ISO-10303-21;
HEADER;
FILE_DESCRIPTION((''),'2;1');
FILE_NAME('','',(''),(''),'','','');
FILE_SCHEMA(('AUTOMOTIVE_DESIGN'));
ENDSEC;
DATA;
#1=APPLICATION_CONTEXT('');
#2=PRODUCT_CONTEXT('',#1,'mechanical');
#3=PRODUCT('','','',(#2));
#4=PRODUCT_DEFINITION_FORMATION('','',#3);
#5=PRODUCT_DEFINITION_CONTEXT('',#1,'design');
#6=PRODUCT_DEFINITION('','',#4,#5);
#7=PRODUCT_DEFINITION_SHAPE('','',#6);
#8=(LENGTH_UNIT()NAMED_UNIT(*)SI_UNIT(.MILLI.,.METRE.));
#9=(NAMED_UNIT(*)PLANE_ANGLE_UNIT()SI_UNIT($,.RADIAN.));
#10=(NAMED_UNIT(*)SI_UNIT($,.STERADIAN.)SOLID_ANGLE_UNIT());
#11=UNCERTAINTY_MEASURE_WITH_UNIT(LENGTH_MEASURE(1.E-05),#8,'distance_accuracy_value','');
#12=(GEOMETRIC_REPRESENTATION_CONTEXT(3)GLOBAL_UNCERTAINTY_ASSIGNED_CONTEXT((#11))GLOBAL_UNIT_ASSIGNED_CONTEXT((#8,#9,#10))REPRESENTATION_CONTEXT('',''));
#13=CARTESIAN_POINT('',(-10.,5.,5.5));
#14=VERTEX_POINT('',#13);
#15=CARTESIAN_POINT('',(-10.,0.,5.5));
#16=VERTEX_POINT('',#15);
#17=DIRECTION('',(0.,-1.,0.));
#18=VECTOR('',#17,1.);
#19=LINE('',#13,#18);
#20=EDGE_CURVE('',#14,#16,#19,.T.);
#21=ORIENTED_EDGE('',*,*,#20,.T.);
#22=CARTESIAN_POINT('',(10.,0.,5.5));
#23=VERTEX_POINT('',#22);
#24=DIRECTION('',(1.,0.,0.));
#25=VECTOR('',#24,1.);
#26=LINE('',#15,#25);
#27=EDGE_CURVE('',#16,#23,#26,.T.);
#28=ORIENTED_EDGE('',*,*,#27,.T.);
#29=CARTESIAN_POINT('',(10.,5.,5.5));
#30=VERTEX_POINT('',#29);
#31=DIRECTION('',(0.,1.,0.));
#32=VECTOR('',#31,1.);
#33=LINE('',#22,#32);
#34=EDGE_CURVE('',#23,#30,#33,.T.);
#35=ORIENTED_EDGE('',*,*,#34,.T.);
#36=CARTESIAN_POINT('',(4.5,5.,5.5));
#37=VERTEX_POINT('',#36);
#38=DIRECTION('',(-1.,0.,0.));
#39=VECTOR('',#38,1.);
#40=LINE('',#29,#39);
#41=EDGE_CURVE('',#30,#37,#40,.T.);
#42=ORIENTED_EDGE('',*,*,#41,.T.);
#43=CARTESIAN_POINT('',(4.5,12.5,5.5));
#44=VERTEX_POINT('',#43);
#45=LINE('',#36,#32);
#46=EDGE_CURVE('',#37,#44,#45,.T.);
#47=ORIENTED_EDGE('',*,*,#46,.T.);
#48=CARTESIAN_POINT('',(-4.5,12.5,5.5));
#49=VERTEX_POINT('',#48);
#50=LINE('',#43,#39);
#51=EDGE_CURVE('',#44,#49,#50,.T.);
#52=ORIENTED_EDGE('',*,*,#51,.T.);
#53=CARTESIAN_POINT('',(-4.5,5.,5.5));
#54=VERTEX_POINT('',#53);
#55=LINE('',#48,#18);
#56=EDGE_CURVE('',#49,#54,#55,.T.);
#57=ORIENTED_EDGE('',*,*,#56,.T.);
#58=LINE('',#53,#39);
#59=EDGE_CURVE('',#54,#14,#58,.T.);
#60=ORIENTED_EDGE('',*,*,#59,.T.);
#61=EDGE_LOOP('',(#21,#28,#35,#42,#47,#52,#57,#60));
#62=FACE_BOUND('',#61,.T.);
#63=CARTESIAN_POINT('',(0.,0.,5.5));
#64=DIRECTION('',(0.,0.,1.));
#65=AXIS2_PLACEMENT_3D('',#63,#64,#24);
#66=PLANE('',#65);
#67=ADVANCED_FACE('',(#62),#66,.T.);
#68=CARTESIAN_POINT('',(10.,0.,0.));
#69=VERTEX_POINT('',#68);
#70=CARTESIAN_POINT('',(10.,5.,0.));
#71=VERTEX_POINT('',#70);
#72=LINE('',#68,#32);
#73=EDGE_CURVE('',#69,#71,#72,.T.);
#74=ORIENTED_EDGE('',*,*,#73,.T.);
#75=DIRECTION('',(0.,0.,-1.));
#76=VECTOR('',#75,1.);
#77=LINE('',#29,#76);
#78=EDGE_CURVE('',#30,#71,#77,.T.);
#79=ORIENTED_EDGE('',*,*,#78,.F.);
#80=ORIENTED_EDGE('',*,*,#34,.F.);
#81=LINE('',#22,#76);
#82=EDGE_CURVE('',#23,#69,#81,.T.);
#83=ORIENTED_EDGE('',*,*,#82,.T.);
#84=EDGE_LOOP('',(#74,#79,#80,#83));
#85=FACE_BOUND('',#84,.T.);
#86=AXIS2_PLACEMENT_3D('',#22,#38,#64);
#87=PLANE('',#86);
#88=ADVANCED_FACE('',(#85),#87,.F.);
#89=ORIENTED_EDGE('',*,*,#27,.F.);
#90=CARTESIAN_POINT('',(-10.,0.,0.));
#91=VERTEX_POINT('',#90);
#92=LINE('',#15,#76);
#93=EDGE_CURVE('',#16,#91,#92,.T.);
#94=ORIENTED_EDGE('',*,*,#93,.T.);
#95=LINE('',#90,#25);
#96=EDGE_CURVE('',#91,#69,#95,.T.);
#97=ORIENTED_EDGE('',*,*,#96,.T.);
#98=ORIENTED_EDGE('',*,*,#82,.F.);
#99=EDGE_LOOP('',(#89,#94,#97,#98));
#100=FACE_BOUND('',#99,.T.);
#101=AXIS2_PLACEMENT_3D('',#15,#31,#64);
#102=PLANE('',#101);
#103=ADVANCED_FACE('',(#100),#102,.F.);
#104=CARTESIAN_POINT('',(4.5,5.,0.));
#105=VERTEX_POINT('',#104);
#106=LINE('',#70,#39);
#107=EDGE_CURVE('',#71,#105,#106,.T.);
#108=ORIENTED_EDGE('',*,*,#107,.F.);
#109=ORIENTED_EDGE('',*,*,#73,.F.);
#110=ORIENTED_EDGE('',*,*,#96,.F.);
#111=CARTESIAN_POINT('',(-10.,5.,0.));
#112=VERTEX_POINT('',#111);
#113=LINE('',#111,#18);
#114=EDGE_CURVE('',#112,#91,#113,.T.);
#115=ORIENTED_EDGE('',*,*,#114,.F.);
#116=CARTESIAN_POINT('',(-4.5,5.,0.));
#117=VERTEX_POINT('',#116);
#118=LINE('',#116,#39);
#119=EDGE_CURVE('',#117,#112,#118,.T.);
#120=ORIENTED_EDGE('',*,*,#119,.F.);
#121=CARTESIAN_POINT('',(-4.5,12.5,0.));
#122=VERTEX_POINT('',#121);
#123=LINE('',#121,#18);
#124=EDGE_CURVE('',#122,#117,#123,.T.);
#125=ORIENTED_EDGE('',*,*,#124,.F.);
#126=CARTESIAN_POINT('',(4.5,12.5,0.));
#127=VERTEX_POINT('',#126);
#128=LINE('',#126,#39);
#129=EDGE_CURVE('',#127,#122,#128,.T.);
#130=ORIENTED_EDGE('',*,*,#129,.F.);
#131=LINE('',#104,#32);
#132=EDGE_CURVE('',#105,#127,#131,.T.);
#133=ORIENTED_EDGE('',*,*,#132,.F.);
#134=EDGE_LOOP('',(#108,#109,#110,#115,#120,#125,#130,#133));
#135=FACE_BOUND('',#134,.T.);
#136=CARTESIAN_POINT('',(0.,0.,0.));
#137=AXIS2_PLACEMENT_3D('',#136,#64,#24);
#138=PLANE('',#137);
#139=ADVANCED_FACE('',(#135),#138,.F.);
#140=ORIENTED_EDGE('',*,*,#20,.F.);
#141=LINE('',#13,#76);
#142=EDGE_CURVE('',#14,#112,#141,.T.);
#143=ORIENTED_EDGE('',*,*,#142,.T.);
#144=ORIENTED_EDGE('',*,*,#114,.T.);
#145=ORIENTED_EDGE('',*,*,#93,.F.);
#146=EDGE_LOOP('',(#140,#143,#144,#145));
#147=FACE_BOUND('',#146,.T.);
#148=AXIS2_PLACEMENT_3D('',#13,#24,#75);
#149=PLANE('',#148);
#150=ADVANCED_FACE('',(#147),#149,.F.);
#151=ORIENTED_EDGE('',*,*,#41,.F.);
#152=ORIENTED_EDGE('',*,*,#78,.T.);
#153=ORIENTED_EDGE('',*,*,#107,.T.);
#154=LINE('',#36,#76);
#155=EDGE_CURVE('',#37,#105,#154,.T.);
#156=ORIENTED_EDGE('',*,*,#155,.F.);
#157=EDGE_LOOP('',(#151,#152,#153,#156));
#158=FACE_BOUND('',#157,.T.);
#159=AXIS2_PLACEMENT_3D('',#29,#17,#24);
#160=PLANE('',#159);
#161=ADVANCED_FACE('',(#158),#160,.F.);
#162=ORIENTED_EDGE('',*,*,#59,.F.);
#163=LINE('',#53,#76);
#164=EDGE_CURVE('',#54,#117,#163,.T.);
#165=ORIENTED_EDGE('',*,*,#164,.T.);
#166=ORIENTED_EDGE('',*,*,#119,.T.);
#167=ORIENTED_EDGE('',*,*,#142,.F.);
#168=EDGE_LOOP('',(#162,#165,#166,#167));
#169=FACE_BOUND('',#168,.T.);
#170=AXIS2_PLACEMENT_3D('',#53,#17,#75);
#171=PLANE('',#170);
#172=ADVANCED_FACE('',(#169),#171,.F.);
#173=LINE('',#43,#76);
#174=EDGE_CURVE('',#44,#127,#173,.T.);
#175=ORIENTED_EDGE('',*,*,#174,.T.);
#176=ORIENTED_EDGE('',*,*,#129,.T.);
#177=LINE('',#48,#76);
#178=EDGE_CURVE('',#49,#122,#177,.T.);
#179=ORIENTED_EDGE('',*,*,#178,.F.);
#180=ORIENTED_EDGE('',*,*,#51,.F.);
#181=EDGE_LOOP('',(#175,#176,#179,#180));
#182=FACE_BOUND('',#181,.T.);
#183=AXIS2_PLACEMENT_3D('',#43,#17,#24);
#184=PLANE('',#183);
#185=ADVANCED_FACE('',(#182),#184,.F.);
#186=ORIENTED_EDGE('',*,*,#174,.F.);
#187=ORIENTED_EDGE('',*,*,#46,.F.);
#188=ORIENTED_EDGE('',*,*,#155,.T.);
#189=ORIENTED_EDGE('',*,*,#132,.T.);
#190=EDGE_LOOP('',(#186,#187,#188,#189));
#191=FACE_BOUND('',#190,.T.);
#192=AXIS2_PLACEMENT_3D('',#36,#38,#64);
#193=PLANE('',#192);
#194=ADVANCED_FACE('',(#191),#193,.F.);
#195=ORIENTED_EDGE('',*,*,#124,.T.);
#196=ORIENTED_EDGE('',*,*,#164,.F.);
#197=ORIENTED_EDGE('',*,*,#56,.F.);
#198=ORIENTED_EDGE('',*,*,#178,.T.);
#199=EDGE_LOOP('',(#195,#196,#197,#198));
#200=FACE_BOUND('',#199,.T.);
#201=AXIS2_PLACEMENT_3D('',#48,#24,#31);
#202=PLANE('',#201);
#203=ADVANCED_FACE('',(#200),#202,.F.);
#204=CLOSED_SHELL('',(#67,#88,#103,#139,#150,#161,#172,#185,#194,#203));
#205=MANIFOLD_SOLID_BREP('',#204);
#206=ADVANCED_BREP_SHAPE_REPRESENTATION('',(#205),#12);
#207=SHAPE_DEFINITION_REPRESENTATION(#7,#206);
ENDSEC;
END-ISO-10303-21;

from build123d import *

# Parameters (mm, degrees)
EXTRUDE_1_DEPTH = 5.5


with BuildPart() as part:
    # ｽｹｯﾁ1 → ﾎﾞｽ - 押し出し1 (new body)
    with BuildSketch(Plane.XY):
        Polygon((-10, 0), (10, 0), (10, 5), (4.5, 5), (4.5, 12.5), (-4.5, 12.5), (-4.5, 5), (-10, 5), align=None)
    extrude(amount=EXTRUDE_1_DEPTH)


solid = part.part
